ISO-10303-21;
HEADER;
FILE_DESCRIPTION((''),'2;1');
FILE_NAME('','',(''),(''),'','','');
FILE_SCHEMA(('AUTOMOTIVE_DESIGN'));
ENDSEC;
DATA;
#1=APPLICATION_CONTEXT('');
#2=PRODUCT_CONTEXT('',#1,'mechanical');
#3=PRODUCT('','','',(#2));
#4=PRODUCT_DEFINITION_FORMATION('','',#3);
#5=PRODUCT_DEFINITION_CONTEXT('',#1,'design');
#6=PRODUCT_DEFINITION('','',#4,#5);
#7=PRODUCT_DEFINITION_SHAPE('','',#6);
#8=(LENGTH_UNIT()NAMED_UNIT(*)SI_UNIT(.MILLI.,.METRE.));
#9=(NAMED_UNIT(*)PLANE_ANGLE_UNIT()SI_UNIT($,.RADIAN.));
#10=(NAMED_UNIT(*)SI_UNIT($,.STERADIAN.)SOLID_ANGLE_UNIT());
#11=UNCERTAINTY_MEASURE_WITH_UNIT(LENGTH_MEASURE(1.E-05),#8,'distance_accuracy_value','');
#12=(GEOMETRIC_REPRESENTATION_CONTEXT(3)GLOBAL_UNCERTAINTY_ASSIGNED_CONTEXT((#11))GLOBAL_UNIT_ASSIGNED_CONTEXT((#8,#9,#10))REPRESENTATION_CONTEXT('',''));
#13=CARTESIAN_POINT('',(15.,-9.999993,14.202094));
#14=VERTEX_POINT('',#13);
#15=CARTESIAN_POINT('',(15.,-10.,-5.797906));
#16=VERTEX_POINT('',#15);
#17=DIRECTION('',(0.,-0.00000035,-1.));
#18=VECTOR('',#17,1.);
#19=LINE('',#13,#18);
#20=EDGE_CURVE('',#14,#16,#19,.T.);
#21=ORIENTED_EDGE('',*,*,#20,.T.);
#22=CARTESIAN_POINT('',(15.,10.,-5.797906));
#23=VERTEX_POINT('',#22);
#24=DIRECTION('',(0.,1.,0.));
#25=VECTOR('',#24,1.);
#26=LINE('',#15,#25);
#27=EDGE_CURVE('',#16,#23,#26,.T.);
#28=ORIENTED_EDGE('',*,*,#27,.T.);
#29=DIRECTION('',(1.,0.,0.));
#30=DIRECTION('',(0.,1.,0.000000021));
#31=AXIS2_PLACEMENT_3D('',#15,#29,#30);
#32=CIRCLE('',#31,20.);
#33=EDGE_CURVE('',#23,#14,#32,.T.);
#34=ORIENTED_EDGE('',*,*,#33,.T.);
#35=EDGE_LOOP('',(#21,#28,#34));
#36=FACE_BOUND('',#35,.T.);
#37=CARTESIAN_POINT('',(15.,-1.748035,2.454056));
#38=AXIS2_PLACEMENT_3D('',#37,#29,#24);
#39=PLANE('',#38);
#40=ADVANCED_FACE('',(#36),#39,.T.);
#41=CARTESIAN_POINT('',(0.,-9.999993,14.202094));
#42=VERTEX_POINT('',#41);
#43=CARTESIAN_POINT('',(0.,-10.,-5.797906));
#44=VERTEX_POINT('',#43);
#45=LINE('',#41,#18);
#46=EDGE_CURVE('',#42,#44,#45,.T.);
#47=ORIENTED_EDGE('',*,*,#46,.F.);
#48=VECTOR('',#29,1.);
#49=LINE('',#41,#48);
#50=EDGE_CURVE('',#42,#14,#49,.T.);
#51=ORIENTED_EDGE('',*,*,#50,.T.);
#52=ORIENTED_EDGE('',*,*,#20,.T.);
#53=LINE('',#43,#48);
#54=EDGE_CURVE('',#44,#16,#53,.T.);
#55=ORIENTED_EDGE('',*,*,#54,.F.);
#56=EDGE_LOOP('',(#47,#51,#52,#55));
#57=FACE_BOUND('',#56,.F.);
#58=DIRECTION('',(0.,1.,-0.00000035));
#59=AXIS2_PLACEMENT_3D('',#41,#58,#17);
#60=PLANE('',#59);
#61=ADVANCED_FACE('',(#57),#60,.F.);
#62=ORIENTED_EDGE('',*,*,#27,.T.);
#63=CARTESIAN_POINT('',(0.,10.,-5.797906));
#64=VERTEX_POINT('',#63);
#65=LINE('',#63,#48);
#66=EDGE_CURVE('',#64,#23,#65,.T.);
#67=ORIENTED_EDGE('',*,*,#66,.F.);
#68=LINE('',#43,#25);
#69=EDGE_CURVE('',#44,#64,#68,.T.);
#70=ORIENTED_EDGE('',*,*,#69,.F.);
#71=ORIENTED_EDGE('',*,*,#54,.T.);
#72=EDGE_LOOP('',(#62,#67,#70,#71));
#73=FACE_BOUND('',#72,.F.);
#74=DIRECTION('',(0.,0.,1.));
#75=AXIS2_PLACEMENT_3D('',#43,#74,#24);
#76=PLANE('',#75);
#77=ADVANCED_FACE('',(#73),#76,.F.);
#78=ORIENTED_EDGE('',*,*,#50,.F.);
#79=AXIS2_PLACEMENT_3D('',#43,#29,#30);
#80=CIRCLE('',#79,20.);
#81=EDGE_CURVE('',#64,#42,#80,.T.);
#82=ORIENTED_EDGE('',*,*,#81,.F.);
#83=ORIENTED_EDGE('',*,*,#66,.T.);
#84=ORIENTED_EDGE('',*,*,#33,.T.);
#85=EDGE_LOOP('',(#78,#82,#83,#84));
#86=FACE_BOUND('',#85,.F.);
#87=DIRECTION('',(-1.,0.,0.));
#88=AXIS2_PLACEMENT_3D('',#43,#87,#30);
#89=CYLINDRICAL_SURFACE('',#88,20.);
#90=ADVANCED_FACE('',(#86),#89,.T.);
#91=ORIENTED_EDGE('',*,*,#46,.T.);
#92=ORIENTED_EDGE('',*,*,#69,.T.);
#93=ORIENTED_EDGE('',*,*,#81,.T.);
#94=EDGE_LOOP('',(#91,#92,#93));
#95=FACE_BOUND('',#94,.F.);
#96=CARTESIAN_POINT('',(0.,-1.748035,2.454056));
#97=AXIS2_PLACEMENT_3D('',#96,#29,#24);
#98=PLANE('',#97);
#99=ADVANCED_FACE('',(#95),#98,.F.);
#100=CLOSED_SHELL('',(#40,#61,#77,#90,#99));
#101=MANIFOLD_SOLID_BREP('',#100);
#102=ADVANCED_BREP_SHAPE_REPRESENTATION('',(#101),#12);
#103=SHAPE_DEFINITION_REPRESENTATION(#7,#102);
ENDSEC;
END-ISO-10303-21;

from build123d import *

# Parameters (mm, degrees)
PAD_DEPTH = 15


with BuildPart() as part:
    # Sketch → Pad (new body)
    with BuildSketch(Plane.YZ):
        with BuildLine():
            ThreePointArc((10, -5.797906), (4.142138, 8.344227), (-9.999993, 14.202094))
            Line((-9.999993, 14.202094), (-10, -5.797906))
            Line((-10, -5.797906), (10, -5.797906))
        make_face()
    extrude(amount=PAD_DEPTH)


solid = part.part
